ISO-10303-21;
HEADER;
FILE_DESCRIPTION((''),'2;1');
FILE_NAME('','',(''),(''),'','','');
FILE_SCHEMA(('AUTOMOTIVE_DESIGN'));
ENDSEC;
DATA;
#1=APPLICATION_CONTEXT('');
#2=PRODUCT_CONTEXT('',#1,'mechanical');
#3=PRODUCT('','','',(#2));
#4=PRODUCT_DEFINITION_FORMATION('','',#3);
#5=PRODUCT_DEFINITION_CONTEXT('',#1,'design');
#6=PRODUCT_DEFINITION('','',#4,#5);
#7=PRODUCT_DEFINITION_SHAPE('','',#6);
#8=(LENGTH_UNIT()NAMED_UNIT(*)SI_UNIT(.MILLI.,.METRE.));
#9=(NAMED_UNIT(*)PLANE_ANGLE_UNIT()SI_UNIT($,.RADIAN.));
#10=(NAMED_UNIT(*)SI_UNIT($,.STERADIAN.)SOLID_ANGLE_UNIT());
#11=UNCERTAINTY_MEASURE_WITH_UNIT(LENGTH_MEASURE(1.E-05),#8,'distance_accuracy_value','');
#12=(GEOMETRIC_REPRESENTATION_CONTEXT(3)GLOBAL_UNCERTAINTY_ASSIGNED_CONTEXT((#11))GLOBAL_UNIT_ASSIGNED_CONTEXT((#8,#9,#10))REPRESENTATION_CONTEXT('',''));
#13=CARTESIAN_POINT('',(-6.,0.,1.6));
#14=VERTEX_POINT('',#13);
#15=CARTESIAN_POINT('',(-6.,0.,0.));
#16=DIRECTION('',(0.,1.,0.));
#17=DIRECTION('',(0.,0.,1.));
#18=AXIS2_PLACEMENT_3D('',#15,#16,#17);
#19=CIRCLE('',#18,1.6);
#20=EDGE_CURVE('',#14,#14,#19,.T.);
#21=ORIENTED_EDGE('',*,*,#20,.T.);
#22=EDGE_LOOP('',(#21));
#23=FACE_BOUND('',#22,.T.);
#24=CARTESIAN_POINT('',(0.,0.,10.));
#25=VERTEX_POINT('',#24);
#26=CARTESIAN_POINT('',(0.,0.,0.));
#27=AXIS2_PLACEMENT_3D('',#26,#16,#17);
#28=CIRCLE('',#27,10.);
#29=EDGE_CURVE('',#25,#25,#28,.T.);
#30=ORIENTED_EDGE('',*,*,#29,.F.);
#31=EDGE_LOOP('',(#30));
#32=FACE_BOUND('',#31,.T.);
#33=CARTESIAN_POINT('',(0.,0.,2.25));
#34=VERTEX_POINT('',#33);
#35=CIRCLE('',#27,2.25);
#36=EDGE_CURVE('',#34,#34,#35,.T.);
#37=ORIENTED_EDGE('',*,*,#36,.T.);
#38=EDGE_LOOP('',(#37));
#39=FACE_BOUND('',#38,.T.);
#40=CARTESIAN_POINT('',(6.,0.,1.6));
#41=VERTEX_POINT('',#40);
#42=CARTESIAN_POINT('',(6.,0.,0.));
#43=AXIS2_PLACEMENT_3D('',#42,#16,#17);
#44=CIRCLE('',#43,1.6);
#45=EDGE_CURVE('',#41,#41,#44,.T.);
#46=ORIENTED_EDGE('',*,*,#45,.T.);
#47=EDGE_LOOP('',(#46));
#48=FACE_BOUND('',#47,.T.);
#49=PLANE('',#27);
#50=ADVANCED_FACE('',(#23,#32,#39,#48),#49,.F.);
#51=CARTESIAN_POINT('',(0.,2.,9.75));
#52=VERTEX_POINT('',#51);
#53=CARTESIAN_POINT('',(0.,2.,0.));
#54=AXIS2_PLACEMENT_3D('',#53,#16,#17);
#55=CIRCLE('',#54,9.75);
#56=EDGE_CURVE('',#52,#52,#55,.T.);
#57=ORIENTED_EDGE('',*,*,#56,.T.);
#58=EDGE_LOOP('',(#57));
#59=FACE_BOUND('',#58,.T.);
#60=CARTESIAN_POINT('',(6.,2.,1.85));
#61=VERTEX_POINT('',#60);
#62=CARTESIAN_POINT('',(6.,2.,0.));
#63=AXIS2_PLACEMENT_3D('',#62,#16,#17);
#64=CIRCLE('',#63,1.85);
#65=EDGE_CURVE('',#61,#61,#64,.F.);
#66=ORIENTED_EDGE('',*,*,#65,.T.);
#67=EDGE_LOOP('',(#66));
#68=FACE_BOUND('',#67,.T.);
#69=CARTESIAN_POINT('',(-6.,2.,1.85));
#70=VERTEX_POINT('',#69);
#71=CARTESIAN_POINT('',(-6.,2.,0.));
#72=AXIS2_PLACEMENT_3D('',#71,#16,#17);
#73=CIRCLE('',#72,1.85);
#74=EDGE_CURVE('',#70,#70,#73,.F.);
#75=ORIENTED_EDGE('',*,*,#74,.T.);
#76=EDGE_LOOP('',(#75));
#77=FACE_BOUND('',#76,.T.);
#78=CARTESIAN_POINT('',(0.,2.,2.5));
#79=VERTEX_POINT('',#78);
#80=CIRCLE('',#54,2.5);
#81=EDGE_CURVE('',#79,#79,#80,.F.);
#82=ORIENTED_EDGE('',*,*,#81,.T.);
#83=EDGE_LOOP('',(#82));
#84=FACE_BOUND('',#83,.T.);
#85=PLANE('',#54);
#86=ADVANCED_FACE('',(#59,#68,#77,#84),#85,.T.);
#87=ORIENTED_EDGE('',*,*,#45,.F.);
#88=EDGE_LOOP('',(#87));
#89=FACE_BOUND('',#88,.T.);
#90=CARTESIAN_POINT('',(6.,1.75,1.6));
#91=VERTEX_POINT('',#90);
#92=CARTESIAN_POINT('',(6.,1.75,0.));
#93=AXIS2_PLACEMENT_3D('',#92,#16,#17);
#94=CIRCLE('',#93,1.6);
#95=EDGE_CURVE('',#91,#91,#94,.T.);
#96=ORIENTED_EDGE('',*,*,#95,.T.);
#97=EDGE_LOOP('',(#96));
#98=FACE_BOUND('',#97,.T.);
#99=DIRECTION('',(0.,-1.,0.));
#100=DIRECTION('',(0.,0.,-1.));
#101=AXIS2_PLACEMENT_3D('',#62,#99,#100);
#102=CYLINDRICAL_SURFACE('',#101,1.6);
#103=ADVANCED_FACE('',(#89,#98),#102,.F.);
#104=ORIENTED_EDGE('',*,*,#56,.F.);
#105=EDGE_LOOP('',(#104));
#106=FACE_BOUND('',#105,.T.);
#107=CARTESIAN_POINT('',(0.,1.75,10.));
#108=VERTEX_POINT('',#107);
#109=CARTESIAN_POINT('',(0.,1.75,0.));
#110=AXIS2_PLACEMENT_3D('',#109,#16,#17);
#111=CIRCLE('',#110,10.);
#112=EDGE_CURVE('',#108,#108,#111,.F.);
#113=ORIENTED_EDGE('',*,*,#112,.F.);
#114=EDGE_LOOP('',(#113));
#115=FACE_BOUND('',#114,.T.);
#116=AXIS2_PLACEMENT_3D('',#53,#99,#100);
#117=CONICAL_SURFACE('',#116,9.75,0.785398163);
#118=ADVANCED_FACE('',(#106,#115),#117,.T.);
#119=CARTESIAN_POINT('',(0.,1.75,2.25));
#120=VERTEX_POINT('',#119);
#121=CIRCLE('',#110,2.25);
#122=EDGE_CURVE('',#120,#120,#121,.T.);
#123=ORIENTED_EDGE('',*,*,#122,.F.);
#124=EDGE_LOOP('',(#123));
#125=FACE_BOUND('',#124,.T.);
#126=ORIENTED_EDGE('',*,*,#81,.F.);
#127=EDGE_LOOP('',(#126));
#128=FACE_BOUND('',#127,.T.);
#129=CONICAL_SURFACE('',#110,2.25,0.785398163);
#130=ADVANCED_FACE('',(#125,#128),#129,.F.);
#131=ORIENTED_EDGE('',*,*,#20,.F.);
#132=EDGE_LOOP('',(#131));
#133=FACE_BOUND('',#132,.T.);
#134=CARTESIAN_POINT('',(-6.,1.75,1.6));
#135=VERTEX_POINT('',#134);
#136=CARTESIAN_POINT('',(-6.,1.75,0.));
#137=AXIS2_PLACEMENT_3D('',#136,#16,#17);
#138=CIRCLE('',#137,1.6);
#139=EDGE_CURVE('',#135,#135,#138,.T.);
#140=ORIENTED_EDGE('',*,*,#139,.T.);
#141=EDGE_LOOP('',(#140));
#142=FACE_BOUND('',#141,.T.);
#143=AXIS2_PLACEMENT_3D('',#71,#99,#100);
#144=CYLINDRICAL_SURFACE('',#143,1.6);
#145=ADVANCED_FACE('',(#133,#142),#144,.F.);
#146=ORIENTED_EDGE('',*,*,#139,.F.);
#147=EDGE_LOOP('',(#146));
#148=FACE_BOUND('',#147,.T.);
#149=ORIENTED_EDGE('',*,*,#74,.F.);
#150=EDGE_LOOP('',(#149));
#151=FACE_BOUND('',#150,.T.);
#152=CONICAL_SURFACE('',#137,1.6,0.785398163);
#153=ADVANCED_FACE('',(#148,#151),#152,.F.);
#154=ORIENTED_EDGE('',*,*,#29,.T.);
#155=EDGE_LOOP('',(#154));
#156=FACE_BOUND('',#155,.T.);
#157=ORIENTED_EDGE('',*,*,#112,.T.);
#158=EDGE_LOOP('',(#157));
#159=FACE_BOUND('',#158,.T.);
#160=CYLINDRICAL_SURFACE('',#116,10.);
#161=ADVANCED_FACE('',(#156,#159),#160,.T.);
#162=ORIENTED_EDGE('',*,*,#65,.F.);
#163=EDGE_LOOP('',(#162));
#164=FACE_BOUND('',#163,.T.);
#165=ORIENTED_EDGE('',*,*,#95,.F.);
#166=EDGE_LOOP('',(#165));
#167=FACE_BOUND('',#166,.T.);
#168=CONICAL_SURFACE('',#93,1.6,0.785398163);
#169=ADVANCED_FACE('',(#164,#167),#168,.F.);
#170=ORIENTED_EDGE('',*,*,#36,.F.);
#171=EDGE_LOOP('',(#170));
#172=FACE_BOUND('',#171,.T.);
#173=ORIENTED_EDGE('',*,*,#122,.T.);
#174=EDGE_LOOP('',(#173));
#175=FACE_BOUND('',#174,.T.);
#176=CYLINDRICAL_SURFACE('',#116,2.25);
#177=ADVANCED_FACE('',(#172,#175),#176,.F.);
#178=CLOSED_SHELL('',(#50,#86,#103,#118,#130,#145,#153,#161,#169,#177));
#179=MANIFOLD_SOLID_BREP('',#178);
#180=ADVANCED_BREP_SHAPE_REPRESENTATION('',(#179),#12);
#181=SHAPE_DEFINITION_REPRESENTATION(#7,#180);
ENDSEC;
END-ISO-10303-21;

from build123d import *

# Parameters (mm, degrees)
SKETCH1_R           = 10
SKETCH1_R_2         = 1.6
SKETCH1_R_3         = 2.25
BOSS_EXTRUDE1_DEPTH = 2
CHAMFER1_SIZE       = 0.25


with BuildPart() as part:
    # Sketch1 → Boss-Extrude1 (new body)
    with BuildSketch(Plane(origin=(0, 0, 0), x_dir=(1, 0, 0), z_dir=(0, 1, 0))):
        with Locations(Location((0, 0, 0), (0, 0, 270))):
            Circle(SKETCH1_R)
        with Locations(Location((-6, 0, 0), (0, 0, 270))):
            Circle(SKETCH1_R_2, mode=Mode.SUBTRACT)
        with Locations(Location((6, 0, 0), (0, 0, 270))):
            Circle(SKETCH1_R_2, mode=Mode.SUBTRACT)
        with Locations(Location((0, 0, 0), (0, 0, 270))):
            Circle(SKETCH1_R_3, mode=Mode.SUBTRACT)
    extrude(amount=BOSS_EXTRUDE1_DEPTH)

    # Chamfer1
    chamfer1_edges = [part.edges().sort_by_distance(p)[0] for p in [
        (0, 2, -2.25),
        (0, 2, -10),
        (-6, 2, -1.6),
        (6, 2, -1.6),
    ]]
    chamfer(chamfer1_edges, length=CHAMFER1_SIZE)


solid = part.part
